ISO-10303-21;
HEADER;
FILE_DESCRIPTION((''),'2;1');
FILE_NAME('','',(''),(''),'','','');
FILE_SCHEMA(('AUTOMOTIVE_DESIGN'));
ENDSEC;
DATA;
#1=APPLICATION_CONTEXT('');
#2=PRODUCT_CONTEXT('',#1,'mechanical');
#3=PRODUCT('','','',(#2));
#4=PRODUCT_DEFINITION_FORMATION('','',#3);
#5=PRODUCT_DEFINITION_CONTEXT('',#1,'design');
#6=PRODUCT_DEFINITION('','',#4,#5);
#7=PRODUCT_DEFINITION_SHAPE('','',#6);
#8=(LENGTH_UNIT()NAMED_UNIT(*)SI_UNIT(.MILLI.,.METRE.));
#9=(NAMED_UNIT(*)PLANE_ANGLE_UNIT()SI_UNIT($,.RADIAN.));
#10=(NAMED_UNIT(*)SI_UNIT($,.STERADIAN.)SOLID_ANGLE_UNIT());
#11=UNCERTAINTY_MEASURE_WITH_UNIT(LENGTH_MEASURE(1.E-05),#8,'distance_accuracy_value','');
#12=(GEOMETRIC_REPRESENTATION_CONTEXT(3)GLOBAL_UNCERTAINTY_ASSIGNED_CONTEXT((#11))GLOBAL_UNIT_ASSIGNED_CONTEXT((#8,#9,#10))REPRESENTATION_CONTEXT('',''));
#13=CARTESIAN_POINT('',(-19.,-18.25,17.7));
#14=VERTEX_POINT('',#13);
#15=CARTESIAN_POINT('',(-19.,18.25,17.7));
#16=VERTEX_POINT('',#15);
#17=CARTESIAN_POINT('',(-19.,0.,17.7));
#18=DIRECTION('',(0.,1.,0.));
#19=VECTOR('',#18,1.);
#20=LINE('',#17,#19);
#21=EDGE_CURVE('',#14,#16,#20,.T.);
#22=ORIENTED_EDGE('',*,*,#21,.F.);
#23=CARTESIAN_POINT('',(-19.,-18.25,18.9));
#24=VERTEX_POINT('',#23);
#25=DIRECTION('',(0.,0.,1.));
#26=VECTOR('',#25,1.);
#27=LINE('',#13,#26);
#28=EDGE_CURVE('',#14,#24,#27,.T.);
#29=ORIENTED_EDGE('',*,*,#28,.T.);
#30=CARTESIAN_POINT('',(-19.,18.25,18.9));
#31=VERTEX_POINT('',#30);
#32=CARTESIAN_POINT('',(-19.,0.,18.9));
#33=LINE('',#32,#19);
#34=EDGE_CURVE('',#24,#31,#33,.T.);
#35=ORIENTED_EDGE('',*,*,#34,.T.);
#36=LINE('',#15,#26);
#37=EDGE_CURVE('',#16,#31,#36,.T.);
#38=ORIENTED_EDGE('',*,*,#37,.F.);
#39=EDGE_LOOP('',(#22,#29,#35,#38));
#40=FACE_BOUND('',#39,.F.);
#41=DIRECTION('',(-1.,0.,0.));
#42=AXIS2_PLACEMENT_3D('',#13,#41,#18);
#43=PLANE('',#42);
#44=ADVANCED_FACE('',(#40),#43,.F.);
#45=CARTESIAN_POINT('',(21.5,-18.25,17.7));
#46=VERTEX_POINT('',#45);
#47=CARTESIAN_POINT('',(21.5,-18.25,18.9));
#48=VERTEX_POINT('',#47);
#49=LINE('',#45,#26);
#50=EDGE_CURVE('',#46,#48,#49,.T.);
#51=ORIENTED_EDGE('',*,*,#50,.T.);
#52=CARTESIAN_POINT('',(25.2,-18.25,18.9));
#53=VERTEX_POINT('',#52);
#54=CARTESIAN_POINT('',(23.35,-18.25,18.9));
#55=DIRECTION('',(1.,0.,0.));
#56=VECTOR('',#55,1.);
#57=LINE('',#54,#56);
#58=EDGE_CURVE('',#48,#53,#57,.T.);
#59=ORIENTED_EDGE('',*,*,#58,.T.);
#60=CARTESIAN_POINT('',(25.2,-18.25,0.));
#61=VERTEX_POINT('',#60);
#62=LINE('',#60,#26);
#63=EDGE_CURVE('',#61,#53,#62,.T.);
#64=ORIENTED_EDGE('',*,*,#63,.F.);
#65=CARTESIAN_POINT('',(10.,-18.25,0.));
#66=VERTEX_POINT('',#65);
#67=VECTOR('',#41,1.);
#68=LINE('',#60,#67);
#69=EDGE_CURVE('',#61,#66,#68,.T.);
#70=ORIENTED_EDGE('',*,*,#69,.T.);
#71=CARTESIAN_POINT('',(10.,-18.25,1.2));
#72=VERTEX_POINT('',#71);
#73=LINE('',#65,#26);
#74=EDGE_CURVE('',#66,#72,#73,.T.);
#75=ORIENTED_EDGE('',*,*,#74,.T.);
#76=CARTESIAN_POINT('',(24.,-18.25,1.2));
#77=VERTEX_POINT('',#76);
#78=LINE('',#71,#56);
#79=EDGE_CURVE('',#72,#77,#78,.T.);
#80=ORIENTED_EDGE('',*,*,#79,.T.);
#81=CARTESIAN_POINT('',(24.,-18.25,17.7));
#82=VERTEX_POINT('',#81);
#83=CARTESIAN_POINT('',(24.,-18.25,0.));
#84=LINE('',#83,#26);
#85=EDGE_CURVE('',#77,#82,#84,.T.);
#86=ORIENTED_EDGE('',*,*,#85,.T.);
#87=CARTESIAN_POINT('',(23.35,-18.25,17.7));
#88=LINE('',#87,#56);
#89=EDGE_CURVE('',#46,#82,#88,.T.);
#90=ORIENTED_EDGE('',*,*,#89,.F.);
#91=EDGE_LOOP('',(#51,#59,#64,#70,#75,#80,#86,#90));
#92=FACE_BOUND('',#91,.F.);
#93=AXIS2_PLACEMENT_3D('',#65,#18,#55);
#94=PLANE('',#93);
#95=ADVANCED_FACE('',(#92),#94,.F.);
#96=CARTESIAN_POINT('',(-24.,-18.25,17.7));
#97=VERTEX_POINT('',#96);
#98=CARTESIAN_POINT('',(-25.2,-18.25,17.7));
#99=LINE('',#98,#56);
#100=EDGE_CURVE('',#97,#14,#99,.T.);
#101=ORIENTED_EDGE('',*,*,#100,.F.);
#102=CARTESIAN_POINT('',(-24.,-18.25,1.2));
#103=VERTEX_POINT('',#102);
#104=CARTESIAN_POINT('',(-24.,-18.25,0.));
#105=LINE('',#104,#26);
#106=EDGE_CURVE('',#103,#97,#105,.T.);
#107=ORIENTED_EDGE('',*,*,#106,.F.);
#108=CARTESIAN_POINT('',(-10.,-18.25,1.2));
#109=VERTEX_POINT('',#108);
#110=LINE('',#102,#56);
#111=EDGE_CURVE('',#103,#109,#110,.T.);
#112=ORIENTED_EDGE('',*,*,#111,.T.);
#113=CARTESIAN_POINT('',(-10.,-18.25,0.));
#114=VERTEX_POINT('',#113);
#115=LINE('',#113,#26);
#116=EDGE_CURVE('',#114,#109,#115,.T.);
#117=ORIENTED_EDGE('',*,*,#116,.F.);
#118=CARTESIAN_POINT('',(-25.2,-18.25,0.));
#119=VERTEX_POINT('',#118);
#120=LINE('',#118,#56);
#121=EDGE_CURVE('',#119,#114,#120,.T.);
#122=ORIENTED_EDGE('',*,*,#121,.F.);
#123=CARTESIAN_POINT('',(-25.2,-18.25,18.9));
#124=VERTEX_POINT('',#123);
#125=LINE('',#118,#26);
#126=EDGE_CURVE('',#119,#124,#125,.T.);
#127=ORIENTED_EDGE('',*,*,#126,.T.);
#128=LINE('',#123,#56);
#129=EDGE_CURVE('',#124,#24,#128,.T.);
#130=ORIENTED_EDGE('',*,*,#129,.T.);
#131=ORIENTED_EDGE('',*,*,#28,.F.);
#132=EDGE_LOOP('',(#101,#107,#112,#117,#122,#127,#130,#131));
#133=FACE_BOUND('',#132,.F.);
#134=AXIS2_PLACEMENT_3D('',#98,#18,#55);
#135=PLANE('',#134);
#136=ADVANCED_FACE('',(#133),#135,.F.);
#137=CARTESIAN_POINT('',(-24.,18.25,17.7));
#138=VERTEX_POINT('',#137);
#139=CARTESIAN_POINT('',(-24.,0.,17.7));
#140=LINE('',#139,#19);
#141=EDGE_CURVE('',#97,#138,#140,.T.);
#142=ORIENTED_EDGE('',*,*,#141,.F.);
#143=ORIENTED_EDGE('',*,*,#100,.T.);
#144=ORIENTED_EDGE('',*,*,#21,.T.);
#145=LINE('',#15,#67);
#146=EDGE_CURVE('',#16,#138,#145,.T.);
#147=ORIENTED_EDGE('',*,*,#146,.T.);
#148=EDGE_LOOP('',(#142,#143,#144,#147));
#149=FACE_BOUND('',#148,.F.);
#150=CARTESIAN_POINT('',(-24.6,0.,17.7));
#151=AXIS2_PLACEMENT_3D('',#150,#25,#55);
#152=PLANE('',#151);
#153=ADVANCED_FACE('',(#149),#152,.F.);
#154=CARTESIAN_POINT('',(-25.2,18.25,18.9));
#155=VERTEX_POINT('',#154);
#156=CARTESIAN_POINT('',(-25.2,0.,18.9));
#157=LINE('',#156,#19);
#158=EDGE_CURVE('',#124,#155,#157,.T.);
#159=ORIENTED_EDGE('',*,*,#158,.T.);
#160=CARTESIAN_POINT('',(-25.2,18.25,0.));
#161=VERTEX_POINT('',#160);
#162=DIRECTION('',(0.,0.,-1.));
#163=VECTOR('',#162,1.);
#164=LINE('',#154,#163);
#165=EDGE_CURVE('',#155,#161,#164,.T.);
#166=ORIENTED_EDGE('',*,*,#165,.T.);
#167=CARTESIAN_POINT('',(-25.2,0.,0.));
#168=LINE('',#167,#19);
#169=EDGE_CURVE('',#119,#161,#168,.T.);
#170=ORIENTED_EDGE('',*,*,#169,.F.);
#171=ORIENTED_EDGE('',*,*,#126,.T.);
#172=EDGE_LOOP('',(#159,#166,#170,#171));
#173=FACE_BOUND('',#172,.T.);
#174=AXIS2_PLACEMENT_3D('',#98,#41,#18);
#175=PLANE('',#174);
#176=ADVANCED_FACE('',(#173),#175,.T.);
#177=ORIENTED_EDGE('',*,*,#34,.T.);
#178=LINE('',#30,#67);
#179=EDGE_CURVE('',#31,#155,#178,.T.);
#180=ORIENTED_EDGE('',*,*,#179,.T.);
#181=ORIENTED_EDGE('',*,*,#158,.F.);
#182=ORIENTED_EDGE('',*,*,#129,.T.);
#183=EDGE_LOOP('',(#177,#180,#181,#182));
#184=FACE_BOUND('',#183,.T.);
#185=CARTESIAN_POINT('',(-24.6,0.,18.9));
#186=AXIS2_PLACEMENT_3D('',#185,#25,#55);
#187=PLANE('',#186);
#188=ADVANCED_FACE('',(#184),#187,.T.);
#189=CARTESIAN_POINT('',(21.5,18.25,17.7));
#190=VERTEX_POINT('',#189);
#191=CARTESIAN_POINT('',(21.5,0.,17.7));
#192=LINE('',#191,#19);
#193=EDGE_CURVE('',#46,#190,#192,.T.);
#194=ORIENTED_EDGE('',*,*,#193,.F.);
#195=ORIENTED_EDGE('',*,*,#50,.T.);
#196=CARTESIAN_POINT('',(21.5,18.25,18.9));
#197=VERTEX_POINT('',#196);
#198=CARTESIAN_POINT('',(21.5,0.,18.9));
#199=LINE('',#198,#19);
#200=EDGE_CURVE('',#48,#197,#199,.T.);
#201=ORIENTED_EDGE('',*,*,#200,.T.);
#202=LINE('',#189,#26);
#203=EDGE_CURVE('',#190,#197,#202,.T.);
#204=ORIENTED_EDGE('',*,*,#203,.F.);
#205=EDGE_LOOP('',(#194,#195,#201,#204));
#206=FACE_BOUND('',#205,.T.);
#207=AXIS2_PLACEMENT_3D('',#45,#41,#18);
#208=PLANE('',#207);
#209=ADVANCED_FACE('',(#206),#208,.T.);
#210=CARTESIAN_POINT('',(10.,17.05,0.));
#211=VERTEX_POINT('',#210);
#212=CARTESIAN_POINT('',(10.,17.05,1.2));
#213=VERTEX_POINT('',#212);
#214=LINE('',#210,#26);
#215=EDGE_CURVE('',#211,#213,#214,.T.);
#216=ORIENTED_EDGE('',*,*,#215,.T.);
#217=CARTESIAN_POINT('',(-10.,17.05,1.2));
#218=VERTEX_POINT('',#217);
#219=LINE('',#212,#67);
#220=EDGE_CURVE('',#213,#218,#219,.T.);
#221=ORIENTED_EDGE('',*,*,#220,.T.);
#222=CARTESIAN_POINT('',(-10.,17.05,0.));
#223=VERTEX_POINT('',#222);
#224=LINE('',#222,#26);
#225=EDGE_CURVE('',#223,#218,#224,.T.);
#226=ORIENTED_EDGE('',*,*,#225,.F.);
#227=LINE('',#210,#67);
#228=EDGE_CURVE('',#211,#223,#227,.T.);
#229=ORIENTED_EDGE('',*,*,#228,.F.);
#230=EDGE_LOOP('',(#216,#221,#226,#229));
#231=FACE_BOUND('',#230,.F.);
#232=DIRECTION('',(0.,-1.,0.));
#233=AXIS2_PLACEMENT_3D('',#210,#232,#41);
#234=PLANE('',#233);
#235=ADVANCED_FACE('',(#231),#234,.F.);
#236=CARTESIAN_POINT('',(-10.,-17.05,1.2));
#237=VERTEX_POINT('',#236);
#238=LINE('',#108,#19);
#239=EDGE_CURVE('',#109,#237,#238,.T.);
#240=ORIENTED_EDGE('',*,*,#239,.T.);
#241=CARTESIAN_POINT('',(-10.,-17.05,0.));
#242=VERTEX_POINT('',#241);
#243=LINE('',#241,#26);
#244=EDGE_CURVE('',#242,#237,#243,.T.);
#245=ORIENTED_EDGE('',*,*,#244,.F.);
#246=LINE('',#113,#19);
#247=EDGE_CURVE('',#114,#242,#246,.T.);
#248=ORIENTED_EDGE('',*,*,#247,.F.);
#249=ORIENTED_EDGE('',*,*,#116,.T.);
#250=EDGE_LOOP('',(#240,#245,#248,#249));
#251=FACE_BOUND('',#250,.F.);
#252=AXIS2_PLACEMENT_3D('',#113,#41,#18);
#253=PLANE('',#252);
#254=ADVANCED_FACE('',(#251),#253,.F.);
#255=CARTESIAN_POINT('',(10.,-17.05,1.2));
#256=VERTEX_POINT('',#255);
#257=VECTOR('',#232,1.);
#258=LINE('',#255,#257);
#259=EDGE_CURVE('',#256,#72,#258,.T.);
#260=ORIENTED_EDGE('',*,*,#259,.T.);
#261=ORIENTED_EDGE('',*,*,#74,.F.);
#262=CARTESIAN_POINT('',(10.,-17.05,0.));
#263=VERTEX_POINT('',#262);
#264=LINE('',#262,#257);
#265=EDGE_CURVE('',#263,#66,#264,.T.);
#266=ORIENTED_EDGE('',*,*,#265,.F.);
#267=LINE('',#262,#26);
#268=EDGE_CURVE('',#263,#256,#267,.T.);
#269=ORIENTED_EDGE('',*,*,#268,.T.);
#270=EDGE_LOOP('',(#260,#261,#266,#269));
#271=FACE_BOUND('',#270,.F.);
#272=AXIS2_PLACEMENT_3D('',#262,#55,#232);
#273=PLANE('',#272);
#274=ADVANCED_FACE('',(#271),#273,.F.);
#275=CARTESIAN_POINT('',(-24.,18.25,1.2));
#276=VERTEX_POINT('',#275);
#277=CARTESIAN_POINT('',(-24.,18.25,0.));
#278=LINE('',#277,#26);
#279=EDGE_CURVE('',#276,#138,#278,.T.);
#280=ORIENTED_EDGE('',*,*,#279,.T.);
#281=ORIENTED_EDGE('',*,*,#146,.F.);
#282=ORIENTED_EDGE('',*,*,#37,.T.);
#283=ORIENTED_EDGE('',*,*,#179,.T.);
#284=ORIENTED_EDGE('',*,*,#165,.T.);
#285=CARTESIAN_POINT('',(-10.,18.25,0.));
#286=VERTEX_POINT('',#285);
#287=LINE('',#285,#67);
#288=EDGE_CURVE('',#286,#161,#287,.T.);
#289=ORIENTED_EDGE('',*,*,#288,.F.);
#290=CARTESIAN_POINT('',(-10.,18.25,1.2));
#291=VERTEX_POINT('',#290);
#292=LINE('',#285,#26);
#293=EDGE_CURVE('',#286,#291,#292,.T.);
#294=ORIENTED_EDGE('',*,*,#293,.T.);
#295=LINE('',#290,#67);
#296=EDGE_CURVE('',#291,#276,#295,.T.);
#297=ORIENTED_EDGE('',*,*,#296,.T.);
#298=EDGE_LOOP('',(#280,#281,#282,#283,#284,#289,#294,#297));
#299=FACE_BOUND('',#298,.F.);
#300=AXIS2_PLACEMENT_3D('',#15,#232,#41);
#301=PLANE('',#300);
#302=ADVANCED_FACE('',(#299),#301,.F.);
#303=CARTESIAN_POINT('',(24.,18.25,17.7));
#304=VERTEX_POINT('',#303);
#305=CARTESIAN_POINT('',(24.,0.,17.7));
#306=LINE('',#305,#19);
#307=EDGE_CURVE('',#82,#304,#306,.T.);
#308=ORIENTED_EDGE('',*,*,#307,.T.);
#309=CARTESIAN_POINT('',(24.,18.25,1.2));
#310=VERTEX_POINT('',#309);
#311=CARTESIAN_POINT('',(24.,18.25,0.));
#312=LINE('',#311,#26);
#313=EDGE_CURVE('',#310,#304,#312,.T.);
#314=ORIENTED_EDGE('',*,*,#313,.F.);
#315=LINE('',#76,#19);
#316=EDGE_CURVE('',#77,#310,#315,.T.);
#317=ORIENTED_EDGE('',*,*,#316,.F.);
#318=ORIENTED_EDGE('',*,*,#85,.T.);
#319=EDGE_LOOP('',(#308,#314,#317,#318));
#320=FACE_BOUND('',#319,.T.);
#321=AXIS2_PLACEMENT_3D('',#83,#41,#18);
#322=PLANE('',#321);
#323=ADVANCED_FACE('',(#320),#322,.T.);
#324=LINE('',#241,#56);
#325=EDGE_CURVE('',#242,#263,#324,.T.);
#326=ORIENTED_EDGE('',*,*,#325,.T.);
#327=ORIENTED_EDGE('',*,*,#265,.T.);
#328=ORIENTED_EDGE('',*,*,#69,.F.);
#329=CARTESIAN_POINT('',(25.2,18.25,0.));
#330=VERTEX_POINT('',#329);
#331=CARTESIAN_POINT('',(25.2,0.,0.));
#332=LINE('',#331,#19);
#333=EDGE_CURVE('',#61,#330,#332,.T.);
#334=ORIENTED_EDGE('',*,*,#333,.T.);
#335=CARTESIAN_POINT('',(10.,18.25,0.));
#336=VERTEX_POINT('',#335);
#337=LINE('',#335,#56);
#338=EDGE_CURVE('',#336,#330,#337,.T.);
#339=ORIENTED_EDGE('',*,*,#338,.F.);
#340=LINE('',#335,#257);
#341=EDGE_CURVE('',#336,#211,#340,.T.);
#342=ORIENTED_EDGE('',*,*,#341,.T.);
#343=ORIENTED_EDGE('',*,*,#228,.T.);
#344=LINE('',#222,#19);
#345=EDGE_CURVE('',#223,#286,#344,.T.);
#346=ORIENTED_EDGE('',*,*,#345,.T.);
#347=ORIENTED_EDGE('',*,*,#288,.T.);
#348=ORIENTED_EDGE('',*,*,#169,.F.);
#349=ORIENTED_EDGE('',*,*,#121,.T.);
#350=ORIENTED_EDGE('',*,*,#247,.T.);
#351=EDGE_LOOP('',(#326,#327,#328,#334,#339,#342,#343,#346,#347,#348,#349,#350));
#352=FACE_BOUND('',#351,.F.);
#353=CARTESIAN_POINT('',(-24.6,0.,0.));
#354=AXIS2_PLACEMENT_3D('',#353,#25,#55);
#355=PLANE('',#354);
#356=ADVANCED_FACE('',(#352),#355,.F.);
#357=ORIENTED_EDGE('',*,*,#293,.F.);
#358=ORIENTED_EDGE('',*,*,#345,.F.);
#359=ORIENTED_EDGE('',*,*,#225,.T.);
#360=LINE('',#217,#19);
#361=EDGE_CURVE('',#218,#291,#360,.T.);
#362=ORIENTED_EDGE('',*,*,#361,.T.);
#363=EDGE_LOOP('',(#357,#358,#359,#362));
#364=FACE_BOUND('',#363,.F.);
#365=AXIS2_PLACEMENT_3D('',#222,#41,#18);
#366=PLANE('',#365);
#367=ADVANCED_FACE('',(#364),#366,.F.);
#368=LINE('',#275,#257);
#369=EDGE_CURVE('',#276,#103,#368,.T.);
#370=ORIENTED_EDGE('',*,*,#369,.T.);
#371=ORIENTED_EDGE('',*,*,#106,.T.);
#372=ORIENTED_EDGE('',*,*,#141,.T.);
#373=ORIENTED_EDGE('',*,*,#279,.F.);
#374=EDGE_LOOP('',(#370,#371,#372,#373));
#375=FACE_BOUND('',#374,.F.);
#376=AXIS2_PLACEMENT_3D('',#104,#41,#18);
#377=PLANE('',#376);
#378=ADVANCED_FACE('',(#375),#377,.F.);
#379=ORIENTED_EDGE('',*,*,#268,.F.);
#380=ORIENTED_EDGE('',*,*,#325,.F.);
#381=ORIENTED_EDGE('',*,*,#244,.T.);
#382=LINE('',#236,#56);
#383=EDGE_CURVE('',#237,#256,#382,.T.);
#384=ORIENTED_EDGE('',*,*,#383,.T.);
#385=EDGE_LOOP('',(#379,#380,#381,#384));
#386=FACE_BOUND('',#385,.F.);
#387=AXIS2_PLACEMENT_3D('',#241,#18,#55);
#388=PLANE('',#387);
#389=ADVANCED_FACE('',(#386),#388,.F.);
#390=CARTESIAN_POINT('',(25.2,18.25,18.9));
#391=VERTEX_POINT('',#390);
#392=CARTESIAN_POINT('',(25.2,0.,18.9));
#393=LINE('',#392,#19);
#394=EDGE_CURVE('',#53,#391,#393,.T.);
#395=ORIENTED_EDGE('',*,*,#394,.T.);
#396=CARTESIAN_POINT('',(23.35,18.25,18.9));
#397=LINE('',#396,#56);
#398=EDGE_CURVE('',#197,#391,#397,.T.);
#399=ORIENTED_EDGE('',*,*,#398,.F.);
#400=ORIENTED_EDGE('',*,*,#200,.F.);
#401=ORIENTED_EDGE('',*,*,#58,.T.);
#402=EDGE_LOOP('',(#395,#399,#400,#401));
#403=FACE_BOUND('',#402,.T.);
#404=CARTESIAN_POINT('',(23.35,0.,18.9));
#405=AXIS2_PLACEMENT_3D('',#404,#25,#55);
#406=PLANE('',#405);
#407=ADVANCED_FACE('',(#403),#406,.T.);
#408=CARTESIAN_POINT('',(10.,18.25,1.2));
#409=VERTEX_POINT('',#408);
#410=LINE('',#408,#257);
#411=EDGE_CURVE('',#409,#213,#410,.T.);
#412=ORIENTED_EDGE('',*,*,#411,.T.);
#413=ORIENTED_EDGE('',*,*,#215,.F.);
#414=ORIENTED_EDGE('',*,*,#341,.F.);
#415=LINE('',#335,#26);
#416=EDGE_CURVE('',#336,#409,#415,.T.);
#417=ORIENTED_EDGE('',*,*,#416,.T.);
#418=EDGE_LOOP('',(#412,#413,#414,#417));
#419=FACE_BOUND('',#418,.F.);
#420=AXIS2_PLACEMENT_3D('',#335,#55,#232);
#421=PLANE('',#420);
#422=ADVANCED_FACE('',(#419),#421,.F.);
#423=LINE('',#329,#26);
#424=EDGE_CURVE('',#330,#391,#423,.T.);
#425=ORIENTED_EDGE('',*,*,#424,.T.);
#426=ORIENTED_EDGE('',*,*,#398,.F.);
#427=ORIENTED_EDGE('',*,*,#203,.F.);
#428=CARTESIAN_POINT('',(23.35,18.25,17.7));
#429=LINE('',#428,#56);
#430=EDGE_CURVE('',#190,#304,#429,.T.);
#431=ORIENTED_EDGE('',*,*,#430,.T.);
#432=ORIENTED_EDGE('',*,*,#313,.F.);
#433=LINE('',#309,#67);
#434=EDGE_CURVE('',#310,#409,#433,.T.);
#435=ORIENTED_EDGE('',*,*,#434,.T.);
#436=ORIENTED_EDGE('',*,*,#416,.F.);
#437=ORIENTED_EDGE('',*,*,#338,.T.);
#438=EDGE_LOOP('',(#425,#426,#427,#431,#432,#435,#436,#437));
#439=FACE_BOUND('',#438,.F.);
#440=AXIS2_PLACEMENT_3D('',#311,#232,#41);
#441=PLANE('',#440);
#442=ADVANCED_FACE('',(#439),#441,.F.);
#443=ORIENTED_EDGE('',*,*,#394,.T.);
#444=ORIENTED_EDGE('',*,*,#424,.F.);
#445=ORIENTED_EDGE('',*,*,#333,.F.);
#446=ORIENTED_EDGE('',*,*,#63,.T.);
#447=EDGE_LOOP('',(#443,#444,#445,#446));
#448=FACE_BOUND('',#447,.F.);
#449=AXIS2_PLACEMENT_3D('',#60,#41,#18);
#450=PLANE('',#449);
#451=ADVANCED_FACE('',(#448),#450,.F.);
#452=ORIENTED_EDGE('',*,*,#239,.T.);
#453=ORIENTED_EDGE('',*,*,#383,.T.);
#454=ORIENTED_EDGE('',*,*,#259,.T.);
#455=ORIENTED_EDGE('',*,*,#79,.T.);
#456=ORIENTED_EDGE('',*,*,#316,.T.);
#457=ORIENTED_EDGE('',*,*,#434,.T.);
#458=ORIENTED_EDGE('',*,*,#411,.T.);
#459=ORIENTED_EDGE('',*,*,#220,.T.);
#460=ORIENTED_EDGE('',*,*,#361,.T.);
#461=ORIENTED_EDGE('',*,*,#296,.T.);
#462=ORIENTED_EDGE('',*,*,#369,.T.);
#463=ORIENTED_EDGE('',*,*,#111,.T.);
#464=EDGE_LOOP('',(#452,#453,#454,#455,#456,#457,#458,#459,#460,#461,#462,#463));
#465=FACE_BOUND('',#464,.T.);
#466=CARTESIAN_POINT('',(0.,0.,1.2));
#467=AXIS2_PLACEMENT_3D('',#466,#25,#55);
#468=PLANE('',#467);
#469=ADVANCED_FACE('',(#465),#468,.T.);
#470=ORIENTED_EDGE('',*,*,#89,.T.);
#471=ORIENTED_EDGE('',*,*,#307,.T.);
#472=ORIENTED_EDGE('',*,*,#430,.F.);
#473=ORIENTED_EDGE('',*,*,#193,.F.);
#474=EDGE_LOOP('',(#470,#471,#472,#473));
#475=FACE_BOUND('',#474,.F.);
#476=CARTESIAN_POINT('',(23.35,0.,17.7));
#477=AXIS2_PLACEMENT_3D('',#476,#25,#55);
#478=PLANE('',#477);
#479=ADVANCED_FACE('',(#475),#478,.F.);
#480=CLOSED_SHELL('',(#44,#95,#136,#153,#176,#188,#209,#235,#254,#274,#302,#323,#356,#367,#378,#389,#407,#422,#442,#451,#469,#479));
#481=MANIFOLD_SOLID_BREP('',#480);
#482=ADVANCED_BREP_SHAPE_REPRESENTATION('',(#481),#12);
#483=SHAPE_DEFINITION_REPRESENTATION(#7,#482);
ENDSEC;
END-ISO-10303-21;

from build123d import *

# Parameters (mm, degrees)
F1_DEPTH = 1.2
F0_W     = 1.2
F0_H     = 36.5
F2_DEPTH = 17.7
F3_W     = 1.2
F3_H     = 36.5
F3_W_2   = 5
F3_W_3   = 3.7
F4_DEPTH = 1.2


with BuildPart() as f1:
    # F0 (on Top) → F1 (new body)
    with BuildSketch(Plane.XY):
        Polygon((10, -18.25), (24, -18.25), (24, 18.25), (10, 18.25), (10, 17.05), (-10, 17.05), (-10, 18.25), (-24, 18.25), (-24, -18.25), (-10, -18.25), (-10, -17.05), (10, -17.05), align=None)
    extrude(amount=F1_DEPTH)

    # F0 (on Top) → F2 (join)
    with BuildSketch(Plane.XY):
        with Locations((-24.6, 0)):
            Rectangle(F0_W, F0_H)
        with Locations((24.6, 0)):
            Rectangle(F0_W, F0_H)
    extrude(amount=F2_DEPTH)

    # F3 (on face) → F4 (join)
    with BuildSketch(Plane.XY.offset(17.7)):
        with Locations((-24.6, 0)):
            Rectangle(F3_W, F3_H)
        with Locations((-21.5, 0)):
            Rectangle(F3_W_2, F3_H)
        with Locations((23.35, 0)):
            Rectangle(F3_W_3, F3_H)
    extrude(amount=F4_DEPTH)


solid = f1.part
